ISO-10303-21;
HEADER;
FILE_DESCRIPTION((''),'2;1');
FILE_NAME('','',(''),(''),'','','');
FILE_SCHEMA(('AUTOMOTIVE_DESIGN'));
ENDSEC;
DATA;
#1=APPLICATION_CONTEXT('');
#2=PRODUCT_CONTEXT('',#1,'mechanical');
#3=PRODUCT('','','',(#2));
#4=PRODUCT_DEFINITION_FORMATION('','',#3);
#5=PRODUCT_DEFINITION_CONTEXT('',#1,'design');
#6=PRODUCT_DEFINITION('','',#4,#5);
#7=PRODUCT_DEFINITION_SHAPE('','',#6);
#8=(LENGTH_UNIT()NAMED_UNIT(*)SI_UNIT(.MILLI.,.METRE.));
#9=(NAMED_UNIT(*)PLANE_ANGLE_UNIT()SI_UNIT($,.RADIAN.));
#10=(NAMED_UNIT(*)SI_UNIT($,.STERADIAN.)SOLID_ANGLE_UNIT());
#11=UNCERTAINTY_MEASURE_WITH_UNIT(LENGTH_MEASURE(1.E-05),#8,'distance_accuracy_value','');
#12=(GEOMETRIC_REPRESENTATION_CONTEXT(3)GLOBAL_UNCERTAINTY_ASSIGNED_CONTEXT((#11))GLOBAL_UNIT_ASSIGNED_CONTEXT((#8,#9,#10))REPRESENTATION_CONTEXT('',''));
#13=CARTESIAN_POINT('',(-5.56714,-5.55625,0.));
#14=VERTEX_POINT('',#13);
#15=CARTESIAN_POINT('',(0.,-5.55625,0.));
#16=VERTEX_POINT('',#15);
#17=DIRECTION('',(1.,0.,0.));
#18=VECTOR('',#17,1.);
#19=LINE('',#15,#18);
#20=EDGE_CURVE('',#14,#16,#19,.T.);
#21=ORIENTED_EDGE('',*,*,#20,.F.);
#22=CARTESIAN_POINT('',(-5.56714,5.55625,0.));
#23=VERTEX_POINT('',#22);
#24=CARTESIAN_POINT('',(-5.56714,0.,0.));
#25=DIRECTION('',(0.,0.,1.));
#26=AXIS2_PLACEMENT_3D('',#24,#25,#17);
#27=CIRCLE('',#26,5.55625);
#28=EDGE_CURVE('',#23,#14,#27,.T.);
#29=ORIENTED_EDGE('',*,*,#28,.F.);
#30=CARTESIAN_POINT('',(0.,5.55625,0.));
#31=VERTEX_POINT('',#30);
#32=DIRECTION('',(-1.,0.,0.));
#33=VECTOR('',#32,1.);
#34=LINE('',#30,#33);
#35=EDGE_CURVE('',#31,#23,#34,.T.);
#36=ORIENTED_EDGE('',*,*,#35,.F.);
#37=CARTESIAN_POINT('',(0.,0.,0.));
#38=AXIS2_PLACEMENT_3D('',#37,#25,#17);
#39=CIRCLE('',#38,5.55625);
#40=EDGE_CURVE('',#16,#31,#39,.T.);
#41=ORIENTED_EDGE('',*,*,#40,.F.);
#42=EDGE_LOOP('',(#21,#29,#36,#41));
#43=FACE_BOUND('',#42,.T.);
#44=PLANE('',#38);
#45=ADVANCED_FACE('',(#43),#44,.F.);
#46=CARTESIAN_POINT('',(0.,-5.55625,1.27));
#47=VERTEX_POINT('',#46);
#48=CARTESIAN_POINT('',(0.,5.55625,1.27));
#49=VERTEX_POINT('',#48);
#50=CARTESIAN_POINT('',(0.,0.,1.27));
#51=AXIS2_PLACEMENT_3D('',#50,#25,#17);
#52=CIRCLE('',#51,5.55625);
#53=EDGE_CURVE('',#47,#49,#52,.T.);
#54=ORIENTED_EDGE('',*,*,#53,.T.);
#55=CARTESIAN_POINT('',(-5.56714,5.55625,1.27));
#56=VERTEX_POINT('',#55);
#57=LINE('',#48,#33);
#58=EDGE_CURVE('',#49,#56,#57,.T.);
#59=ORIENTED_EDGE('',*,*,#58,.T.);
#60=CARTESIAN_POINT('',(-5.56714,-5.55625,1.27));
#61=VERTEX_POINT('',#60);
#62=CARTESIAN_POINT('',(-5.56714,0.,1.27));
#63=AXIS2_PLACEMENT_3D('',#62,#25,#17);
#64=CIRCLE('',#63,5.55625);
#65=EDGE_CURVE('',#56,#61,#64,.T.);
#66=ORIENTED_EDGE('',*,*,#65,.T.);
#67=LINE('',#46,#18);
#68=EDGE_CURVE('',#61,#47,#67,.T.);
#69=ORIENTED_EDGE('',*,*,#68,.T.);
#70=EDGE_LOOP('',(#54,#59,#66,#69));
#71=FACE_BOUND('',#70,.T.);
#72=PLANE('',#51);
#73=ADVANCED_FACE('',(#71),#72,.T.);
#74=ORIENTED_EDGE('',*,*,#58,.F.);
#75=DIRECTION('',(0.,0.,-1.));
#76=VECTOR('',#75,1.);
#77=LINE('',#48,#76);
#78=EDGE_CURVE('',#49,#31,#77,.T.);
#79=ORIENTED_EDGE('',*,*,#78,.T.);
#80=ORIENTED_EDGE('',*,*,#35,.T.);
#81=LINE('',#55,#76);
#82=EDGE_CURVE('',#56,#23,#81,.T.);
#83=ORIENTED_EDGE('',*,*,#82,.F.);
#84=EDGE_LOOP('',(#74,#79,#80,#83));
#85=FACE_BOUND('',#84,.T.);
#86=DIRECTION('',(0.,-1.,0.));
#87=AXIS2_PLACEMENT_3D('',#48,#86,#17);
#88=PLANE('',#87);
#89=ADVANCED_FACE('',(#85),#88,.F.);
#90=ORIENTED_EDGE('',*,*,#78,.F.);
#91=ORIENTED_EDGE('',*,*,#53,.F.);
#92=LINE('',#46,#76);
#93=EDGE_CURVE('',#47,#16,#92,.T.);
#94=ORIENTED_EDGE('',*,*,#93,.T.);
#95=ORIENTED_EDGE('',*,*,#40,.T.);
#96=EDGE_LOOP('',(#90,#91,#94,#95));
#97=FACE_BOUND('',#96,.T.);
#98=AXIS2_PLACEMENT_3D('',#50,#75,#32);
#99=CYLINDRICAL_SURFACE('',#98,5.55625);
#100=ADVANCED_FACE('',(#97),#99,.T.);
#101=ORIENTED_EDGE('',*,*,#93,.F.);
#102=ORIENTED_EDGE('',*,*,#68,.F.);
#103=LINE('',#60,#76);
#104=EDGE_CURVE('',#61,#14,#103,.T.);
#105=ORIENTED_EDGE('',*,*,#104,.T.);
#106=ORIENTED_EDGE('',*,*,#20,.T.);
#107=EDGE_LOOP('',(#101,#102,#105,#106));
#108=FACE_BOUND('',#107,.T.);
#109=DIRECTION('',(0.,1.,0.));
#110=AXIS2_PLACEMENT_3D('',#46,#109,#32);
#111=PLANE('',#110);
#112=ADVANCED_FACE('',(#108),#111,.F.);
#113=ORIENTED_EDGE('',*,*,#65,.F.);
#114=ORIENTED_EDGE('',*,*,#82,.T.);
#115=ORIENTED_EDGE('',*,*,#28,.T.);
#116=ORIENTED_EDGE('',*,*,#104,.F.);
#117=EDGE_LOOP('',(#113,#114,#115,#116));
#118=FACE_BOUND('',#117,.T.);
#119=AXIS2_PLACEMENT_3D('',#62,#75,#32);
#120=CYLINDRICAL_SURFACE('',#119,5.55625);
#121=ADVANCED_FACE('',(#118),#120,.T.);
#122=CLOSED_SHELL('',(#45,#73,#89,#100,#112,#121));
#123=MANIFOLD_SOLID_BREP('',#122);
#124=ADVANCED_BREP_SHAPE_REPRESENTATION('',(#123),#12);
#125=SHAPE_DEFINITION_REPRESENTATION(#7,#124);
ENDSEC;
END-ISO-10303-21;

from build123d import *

# Parameters (mm, degrees)
BOSS_EXTRUDE1_DEPTH = 1.27


with BuildPart() as part:
    # Sketch1 → Boss-Extrude1 (new body)
    with BuildSketch(Plane.XY):
        with BuildLine():
            Line((0, 5.55625), (-5.56714, 5.55625))
            ThreePointArc((-5.56714, 5.55625), (-11.12339, 0), (-5.56714, -5.55625))
            Line((-5.56714, -5.55625), (0, -5.55625))
            ThreePointArc((0, -5.55625), (5.55625, 0), (0, 5.55625))
        make_face()
    extrude(amount=BOSS_EXTRUDE1_DEPTH)


solid = part.part
